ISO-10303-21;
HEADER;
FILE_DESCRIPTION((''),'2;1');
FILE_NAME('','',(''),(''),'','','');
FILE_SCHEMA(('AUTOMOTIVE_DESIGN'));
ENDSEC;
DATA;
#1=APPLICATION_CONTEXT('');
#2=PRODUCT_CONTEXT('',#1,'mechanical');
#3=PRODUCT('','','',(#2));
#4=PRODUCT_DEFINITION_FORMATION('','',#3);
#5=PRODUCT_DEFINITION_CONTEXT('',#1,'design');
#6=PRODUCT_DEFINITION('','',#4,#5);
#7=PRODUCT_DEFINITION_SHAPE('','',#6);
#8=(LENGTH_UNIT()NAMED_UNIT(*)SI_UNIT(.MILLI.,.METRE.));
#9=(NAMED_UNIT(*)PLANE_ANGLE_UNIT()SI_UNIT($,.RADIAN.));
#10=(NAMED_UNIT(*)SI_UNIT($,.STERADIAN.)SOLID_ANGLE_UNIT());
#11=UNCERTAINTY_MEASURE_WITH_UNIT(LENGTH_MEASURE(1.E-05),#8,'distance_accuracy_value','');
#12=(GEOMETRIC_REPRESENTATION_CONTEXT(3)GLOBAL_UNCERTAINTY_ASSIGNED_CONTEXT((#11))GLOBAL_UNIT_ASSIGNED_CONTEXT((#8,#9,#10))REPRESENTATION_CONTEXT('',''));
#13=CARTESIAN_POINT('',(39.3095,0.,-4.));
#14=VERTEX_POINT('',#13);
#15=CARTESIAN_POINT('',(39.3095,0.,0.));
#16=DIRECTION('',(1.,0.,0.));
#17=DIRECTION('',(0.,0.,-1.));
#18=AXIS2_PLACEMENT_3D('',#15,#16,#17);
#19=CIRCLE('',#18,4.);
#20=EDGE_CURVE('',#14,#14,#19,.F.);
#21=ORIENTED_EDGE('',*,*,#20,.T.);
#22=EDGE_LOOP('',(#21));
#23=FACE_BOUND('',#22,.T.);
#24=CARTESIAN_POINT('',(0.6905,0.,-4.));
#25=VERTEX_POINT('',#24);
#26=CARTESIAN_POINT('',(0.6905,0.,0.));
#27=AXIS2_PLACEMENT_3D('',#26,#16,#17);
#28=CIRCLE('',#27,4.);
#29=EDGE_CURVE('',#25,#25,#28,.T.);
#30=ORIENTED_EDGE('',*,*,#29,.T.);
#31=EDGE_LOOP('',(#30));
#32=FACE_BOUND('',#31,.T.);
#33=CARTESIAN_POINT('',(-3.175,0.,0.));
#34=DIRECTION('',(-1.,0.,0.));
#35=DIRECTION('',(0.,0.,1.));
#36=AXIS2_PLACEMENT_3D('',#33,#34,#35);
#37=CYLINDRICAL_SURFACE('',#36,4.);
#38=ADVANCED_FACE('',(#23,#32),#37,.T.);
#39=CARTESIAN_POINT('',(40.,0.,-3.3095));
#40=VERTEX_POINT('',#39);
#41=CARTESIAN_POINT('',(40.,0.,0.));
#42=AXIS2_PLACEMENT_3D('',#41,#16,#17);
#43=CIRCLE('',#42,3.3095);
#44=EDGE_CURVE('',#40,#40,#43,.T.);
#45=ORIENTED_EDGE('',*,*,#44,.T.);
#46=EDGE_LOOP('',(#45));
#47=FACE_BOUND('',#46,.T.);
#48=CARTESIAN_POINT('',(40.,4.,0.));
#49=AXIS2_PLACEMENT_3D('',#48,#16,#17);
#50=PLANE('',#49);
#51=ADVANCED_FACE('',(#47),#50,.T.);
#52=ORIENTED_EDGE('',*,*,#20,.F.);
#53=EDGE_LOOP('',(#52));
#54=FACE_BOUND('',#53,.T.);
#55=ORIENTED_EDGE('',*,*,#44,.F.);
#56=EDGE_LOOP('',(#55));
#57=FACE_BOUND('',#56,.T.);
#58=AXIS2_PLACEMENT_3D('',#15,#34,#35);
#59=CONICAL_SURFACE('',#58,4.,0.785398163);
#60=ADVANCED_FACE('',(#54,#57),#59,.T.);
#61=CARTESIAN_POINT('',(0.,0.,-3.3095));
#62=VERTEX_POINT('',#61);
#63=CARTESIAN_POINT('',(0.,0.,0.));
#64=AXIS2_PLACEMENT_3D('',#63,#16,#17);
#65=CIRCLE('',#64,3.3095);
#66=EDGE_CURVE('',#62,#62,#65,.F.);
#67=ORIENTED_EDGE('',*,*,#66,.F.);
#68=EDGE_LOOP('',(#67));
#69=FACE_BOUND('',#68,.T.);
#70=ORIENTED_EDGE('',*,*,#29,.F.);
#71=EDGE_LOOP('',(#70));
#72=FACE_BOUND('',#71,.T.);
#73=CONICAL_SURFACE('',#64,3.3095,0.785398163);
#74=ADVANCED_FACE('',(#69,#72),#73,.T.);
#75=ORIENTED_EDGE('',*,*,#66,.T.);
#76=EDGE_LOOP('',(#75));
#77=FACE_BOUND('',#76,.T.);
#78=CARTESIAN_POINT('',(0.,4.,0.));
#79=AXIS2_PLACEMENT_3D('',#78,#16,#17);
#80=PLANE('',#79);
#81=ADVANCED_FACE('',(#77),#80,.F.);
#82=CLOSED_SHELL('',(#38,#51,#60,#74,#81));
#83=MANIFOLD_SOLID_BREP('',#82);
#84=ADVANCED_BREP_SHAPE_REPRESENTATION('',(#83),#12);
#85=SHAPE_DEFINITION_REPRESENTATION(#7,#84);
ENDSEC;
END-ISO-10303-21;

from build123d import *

# Parameters (mm, degrees)
BODYSKE_W     = 40
BODYSKE_H     = 4
CHAMFER1_SIZE = 0.6905


with BuildPart() as part:
    # BodySke → BaseBody (revolve)
    with BuildSketch(Plane.XY, mode=Mode.PRIVATE) as basebody_sk:
        with Locations((20, 2)):
            Rectangle(BODYSKE_W, BODYSKE_H)
    revolve(basebody_sk.sketch.rotate(Axis((-3.175, 0, 0), (1, 0, 0)), 90), axis=Axis((-3.175, 0, 0), (1, 0, 0)))

    # Chamfer1
    chamfer1_edges = [part.edges().sort_by_distance(p)[0] for p in [
        (0, 0, -4),
        (40, 0, -4),
    ]]
    chamfer(chamfer1_edges, length=CHAMFER1_SIZE)


solid = part.part
